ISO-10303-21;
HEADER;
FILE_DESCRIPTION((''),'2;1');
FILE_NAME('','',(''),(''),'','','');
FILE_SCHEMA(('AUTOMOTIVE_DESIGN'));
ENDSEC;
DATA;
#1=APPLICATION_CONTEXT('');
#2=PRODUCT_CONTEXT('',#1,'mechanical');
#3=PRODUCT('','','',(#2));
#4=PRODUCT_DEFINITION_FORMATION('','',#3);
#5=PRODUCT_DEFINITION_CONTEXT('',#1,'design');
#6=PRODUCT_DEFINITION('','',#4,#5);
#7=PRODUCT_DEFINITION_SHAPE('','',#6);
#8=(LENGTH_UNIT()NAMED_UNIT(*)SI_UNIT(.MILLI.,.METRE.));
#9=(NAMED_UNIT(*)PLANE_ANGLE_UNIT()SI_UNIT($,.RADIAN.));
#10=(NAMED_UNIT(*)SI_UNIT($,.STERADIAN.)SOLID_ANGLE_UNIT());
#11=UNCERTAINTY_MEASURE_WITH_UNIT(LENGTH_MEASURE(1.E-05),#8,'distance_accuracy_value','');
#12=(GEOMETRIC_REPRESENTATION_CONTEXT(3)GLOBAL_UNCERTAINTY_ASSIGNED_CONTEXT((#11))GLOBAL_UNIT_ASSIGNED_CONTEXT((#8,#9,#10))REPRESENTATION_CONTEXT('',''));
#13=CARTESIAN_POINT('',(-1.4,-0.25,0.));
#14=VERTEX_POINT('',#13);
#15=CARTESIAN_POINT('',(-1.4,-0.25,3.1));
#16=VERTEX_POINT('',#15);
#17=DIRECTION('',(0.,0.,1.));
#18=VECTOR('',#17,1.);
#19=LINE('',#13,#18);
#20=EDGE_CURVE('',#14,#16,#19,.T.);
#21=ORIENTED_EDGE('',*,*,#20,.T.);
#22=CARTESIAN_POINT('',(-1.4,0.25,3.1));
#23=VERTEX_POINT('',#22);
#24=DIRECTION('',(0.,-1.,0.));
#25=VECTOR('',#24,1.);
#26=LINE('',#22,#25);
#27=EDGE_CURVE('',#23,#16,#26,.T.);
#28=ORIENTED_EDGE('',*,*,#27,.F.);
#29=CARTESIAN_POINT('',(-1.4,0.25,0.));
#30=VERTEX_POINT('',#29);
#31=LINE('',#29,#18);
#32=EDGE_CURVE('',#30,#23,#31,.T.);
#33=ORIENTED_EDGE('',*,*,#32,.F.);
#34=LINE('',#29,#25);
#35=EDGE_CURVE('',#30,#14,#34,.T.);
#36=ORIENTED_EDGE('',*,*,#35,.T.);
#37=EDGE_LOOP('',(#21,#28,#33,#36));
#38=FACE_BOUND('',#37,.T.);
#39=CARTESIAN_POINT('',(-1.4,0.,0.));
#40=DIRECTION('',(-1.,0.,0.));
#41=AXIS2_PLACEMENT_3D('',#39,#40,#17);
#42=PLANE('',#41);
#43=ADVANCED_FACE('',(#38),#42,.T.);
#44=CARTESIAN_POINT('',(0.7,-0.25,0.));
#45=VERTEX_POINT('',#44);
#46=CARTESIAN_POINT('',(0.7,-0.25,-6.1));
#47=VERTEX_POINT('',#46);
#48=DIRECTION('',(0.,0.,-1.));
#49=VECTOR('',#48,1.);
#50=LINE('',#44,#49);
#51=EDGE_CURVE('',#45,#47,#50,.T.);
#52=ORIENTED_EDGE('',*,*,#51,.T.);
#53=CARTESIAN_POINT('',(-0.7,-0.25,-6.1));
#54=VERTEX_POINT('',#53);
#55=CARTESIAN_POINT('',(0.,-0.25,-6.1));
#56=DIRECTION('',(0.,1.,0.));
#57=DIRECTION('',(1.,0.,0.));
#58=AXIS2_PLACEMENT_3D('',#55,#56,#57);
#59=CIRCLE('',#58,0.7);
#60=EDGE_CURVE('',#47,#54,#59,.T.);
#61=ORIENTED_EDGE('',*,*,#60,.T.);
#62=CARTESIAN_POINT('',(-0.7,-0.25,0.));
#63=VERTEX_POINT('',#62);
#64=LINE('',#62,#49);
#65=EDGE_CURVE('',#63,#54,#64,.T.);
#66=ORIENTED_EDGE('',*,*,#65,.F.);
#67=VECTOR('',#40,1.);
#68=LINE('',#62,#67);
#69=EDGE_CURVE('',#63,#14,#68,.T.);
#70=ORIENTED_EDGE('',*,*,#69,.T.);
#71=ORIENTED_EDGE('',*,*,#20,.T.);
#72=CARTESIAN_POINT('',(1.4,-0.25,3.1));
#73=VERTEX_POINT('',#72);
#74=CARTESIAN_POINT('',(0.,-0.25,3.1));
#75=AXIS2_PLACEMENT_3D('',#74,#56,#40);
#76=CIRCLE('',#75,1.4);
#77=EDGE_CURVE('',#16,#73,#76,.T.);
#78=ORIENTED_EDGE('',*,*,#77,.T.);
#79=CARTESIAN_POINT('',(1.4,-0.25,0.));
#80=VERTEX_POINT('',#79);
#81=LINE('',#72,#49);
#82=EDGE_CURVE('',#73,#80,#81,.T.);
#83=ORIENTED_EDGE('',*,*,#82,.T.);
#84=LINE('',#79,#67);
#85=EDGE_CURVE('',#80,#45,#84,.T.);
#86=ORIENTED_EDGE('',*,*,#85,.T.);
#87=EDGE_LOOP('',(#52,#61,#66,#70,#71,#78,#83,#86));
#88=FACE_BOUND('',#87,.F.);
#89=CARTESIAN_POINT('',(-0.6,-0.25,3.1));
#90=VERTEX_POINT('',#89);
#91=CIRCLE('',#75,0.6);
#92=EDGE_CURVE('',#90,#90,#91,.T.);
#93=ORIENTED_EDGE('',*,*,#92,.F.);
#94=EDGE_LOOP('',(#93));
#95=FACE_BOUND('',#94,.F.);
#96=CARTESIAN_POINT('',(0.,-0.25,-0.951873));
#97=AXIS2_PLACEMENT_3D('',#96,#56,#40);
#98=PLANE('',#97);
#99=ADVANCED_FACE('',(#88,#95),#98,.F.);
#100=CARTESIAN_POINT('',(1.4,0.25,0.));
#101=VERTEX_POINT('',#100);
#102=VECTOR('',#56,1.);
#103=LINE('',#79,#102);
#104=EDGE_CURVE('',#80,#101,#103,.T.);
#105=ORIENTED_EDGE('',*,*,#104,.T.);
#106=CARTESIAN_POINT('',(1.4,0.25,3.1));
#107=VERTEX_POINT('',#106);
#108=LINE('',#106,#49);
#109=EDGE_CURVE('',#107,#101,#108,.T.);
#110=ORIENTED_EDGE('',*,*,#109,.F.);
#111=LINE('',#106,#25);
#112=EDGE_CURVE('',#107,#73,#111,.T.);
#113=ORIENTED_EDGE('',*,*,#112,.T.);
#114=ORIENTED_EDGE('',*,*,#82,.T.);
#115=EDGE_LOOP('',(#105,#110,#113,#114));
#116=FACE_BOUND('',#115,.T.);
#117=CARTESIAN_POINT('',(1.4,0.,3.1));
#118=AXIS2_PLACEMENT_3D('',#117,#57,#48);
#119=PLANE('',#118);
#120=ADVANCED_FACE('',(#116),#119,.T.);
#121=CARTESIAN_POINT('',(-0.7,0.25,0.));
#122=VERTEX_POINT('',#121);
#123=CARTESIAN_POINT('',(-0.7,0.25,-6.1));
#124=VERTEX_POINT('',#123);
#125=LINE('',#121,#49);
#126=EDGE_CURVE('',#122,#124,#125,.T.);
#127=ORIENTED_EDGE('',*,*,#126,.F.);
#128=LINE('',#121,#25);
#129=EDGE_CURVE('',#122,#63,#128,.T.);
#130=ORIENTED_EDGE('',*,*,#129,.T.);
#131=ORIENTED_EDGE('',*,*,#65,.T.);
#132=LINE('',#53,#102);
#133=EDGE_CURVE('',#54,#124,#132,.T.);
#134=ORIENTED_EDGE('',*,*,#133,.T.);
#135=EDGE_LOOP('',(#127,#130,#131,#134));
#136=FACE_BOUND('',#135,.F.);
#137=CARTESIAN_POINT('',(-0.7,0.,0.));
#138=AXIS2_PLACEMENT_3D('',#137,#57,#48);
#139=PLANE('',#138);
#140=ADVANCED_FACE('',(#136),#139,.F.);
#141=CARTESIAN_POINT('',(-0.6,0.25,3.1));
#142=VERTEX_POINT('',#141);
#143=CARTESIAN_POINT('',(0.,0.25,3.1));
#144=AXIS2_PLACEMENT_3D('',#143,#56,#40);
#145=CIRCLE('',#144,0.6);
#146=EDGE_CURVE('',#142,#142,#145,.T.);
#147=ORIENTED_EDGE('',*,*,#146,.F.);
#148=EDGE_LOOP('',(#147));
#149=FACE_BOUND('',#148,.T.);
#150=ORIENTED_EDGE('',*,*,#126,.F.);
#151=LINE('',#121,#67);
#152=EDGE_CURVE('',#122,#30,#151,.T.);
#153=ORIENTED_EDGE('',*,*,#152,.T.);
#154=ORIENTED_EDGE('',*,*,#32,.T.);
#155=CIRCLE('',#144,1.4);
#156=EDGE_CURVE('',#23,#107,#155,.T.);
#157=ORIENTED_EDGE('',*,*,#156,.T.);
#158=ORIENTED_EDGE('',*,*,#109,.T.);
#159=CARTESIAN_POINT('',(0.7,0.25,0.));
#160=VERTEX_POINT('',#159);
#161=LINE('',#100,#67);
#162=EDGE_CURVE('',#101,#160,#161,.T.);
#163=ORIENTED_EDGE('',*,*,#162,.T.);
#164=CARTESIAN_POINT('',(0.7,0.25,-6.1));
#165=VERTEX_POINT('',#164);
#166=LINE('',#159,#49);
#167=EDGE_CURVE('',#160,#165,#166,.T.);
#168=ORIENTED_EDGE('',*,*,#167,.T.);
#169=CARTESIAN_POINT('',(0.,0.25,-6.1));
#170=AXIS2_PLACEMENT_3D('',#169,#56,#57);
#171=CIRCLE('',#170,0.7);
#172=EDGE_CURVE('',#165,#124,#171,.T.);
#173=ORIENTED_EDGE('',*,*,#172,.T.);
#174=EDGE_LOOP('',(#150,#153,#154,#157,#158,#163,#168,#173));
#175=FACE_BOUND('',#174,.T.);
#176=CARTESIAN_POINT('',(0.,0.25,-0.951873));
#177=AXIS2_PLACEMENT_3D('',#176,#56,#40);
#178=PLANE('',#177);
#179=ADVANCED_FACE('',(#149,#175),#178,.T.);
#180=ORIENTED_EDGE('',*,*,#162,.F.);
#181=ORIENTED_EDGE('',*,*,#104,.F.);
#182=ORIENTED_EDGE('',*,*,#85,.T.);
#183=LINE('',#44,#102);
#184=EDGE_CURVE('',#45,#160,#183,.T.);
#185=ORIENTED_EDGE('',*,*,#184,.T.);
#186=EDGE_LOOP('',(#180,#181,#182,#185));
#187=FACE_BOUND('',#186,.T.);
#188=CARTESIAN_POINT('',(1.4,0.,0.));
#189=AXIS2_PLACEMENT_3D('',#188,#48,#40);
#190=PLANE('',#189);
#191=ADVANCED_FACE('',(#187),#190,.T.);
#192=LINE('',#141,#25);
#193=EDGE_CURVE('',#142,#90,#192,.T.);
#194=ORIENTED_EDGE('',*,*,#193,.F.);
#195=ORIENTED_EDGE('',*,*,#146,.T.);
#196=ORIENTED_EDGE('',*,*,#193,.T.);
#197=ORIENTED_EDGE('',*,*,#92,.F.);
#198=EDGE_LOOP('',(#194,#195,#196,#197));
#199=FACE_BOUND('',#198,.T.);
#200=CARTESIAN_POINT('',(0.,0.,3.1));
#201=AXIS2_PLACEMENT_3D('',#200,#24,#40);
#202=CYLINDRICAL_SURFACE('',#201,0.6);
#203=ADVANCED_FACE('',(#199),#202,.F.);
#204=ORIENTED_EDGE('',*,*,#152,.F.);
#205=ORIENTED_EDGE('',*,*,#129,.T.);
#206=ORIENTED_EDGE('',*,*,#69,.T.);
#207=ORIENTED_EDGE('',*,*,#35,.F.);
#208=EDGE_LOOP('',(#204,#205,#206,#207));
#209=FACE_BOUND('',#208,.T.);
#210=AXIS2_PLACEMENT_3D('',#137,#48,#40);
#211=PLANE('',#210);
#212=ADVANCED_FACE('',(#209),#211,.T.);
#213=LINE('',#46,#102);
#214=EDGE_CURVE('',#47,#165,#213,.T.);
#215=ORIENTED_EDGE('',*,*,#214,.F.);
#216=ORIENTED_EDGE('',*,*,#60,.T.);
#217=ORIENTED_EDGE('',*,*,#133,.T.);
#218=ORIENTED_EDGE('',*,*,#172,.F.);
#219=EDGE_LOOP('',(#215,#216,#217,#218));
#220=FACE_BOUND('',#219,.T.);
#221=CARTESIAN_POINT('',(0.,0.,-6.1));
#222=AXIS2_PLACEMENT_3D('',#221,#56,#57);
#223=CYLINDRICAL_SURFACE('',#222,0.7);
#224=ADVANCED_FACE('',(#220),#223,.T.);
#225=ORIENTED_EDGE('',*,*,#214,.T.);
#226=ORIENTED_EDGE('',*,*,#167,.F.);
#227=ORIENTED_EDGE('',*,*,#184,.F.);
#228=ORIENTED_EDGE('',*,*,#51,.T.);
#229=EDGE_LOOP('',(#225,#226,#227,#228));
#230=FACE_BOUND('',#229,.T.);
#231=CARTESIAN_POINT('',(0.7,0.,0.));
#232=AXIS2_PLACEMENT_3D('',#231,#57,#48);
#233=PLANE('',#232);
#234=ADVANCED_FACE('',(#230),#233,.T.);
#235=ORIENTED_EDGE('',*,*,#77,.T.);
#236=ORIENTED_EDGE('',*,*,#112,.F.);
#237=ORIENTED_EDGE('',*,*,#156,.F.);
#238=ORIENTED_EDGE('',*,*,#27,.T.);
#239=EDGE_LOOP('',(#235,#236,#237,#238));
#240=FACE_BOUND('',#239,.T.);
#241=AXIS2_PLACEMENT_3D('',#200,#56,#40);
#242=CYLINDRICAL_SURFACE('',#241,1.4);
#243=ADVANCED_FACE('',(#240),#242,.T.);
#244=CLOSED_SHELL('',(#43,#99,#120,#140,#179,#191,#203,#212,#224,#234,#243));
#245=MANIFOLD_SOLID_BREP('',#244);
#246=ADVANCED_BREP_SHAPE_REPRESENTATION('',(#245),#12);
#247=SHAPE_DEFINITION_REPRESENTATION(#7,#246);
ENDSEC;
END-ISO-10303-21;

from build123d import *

# Parameters (mm, degrees)
SKETCH_R  = 0.6
PAD_DEPTH = 0.25


with BuildPart() as part:
    # Sketch → Pad (new body, symmetric)
    with BuildSketch(Plane(origin=(0, 0, 0), x_dir=(-1, 0, 0), z_dir=(0, 1, 0))):
        with BuildLine():
            Line((-1.4, 3.1), (-1.4, 0))
            Line((-1.4, 0), (-0.7, 0))
            Line((-0.7, 0), (-0.7, -6.1))
            ThreePointArc((-0.7, -6.1), (0, -6.8), (0.7, -6.1))
            Line((0.7, 0), (0.7, -6.1))
            Line((0.7, 0), (1.4, 0))
            Line((1.4, 0), (1.4, 3.1))
            ThreePointArc((1.4, 3.1), (0, 4.5), (-1.4, 3.1))
        make_face()
        with Locations((0, 3.1)):
            Circle(SKETCH_R, mode=Mode.SUBTRACT)
    extrude(amount=PAD_DEPTH, both=True)


solid = part.part
